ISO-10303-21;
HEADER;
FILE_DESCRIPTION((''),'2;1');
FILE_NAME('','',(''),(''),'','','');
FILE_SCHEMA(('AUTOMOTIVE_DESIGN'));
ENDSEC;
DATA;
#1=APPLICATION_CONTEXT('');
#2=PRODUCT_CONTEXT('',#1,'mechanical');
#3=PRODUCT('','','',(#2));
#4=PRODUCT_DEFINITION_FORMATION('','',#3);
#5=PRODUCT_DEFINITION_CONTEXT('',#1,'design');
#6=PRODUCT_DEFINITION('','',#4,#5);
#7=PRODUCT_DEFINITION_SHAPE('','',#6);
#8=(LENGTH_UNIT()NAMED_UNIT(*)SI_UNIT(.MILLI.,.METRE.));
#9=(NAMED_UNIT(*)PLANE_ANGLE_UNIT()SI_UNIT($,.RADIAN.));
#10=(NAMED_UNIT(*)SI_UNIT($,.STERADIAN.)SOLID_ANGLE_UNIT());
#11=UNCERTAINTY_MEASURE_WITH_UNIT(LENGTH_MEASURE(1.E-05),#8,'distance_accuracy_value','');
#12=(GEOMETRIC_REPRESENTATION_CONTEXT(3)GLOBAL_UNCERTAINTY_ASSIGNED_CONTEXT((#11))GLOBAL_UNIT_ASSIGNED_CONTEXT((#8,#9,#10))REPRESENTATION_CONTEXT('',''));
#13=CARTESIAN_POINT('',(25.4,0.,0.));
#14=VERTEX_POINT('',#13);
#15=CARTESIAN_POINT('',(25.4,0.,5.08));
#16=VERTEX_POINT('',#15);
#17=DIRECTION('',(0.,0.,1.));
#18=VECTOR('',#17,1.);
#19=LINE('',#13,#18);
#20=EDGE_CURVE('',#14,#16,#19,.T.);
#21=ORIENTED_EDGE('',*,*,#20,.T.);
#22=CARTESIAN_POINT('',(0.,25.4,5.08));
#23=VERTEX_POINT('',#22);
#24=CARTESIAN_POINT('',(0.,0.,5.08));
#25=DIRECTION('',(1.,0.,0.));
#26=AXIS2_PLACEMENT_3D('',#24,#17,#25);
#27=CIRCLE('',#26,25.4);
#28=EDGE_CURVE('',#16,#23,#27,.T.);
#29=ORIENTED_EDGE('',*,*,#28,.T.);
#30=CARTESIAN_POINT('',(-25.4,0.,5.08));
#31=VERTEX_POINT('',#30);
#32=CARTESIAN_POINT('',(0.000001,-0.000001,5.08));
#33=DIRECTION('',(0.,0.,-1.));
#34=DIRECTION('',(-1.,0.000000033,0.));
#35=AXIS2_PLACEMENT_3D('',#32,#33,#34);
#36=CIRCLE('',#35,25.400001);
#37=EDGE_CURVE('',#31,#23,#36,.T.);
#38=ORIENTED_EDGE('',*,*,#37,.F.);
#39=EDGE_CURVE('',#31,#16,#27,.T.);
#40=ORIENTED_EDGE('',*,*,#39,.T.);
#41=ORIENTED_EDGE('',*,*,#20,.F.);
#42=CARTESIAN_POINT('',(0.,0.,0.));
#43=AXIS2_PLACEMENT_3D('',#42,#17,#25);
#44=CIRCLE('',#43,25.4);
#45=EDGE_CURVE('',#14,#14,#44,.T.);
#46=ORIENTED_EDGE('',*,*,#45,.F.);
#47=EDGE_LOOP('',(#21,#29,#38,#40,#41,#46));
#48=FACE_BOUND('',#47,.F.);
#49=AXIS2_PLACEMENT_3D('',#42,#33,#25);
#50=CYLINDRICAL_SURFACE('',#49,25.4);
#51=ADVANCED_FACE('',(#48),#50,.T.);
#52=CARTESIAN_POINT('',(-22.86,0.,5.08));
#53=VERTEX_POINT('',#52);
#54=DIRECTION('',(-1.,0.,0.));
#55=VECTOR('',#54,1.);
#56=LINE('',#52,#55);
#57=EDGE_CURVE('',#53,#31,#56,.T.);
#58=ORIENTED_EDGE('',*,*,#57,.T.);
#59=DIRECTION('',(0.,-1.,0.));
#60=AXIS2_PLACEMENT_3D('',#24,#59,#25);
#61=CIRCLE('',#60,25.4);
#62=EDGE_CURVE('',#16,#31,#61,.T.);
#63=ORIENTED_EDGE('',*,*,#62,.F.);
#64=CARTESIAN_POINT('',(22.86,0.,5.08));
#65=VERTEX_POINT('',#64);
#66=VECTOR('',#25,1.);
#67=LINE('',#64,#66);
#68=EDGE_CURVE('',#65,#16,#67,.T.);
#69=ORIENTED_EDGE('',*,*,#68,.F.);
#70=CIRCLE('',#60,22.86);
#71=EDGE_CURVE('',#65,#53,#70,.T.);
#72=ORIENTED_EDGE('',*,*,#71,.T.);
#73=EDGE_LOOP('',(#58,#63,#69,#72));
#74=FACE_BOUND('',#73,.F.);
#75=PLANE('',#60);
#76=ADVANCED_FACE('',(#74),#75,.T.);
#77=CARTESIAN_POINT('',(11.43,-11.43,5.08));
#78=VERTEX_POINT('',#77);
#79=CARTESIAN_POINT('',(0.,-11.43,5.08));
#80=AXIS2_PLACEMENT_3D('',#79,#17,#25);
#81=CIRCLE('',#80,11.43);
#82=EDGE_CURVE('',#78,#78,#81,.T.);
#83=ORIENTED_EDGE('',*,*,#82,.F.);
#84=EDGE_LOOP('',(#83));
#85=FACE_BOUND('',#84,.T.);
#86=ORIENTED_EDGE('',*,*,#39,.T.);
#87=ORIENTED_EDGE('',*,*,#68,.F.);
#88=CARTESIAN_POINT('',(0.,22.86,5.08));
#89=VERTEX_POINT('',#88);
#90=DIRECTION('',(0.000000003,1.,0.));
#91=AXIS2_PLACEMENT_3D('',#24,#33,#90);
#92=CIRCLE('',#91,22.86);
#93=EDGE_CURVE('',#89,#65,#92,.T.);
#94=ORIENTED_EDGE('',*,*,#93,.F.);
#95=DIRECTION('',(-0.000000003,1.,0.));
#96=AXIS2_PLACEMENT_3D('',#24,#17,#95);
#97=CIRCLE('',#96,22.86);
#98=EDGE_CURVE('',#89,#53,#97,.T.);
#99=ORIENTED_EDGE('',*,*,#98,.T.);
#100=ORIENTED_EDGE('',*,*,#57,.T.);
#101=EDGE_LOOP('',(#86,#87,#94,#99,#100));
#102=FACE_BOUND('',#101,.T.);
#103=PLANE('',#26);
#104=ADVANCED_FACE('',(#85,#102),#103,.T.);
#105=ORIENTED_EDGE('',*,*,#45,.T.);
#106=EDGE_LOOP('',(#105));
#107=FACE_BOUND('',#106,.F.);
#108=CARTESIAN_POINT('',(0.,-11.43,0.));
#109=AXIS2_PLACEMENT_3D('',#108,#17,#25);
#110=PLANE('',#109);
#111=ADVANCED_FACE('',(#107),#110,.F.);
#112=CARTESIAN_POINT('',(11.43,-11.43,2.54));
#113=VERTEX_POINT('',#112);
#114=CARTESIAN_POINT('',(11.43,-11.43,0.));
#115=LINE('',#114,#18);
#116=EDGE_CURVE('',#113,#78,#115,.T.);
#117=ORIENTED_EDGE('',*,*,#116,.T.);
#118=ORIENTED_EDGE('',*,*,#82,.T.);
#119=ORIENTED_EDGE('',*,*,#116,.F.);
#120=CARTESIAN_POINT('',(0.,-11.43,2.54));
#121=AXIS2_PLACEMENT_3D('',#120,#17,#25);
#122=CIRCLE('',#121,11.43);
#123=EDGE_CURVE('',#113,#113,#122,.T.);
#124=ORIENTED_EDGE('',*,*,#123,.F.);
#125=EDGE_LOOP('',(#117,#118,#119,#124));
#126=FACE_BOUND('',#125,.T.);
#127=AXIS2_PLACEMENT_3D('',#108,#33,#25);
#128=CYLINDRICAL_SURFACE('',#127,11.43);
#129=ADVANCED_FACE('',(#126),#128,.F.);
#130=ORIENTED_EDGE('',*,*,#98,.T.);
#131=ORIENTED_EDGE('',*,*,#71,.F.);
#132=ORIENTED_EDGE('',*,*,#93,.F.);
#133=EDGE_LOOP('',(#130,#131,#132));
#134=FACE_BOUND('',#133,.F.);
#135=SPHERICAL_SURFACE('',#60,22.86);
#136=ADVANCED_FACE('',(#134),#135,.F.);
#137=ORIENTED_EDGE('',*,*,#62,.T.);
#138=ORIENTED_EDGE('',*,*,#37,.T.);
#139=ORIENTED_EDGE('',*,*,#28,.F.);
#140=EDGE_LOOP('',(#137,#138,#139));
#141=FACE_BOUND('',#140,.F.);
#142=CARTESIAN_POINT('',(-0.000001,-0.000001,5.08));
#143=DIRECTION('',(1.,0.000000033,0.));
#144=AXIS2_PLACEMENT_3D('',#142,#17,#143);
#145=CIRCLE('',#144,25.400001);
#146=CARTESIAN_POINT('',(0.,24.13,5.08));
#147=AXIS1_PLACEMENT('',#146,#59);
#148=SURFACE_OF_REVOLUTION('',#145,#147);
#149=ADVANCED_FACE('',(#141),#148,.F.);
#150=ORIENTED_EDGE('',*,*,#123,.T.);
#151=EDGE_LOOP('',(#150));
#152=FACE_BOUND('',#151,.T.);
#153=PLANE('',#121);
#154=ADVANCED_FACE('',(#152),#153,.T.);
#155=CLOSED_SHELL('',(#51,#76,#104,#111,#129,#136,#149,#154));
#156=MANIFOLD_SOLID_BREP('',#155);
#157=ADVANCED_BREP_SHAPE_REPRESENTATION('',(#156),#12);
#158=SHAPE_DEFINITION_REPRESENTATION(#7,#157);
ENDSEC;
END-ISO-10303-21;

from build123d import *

# Parameters (mm, degrees)
F0_R     = 25.4
F0_R_2   = 11.43
F1_DEPTH = 5.08
F2_DEPTH = 2.54
F4_ANGLE = 180


with BuildPart() as f1:
    # F0 (on Top) → F1 (new body)
    with BuildSketch(Plane.XY):
        Circle(F0_R)
        with Locations((0, -11.43)):
            Circle(F0_R_2, mode=Mode.SUBTRACT)
    extrude(amount=F1_DEPTH)

    # F0 (on Top) → F2 (join)
    with BuildSketch(Plane.XY):
        with Locations((0, -11.43)):
            Circle(F0_R_2)
    extrude(amount=F2_DEPTH)

    # F3 (on face) → F4 (revolve)
    with BuildSketch(Plane.XY.offset(5.08)):
        with BuildLine():
            Line((22.86, 0), (25.4, 0))
            ThreePointArc((25.4, 0), (17.960512, 17.960512), (0, 25.4))
            Line((0, 25.4), (0, 22.86))
            ThreePointArc((0, 22.86), (16.164461, 16.164461), (22.86, 0))
        make_face()
    revolve(axis=Axis((0, 24.13, 5.08), (0, -1, 0)), revolution_arc=F4_ANGLE)


solid = f1.part
